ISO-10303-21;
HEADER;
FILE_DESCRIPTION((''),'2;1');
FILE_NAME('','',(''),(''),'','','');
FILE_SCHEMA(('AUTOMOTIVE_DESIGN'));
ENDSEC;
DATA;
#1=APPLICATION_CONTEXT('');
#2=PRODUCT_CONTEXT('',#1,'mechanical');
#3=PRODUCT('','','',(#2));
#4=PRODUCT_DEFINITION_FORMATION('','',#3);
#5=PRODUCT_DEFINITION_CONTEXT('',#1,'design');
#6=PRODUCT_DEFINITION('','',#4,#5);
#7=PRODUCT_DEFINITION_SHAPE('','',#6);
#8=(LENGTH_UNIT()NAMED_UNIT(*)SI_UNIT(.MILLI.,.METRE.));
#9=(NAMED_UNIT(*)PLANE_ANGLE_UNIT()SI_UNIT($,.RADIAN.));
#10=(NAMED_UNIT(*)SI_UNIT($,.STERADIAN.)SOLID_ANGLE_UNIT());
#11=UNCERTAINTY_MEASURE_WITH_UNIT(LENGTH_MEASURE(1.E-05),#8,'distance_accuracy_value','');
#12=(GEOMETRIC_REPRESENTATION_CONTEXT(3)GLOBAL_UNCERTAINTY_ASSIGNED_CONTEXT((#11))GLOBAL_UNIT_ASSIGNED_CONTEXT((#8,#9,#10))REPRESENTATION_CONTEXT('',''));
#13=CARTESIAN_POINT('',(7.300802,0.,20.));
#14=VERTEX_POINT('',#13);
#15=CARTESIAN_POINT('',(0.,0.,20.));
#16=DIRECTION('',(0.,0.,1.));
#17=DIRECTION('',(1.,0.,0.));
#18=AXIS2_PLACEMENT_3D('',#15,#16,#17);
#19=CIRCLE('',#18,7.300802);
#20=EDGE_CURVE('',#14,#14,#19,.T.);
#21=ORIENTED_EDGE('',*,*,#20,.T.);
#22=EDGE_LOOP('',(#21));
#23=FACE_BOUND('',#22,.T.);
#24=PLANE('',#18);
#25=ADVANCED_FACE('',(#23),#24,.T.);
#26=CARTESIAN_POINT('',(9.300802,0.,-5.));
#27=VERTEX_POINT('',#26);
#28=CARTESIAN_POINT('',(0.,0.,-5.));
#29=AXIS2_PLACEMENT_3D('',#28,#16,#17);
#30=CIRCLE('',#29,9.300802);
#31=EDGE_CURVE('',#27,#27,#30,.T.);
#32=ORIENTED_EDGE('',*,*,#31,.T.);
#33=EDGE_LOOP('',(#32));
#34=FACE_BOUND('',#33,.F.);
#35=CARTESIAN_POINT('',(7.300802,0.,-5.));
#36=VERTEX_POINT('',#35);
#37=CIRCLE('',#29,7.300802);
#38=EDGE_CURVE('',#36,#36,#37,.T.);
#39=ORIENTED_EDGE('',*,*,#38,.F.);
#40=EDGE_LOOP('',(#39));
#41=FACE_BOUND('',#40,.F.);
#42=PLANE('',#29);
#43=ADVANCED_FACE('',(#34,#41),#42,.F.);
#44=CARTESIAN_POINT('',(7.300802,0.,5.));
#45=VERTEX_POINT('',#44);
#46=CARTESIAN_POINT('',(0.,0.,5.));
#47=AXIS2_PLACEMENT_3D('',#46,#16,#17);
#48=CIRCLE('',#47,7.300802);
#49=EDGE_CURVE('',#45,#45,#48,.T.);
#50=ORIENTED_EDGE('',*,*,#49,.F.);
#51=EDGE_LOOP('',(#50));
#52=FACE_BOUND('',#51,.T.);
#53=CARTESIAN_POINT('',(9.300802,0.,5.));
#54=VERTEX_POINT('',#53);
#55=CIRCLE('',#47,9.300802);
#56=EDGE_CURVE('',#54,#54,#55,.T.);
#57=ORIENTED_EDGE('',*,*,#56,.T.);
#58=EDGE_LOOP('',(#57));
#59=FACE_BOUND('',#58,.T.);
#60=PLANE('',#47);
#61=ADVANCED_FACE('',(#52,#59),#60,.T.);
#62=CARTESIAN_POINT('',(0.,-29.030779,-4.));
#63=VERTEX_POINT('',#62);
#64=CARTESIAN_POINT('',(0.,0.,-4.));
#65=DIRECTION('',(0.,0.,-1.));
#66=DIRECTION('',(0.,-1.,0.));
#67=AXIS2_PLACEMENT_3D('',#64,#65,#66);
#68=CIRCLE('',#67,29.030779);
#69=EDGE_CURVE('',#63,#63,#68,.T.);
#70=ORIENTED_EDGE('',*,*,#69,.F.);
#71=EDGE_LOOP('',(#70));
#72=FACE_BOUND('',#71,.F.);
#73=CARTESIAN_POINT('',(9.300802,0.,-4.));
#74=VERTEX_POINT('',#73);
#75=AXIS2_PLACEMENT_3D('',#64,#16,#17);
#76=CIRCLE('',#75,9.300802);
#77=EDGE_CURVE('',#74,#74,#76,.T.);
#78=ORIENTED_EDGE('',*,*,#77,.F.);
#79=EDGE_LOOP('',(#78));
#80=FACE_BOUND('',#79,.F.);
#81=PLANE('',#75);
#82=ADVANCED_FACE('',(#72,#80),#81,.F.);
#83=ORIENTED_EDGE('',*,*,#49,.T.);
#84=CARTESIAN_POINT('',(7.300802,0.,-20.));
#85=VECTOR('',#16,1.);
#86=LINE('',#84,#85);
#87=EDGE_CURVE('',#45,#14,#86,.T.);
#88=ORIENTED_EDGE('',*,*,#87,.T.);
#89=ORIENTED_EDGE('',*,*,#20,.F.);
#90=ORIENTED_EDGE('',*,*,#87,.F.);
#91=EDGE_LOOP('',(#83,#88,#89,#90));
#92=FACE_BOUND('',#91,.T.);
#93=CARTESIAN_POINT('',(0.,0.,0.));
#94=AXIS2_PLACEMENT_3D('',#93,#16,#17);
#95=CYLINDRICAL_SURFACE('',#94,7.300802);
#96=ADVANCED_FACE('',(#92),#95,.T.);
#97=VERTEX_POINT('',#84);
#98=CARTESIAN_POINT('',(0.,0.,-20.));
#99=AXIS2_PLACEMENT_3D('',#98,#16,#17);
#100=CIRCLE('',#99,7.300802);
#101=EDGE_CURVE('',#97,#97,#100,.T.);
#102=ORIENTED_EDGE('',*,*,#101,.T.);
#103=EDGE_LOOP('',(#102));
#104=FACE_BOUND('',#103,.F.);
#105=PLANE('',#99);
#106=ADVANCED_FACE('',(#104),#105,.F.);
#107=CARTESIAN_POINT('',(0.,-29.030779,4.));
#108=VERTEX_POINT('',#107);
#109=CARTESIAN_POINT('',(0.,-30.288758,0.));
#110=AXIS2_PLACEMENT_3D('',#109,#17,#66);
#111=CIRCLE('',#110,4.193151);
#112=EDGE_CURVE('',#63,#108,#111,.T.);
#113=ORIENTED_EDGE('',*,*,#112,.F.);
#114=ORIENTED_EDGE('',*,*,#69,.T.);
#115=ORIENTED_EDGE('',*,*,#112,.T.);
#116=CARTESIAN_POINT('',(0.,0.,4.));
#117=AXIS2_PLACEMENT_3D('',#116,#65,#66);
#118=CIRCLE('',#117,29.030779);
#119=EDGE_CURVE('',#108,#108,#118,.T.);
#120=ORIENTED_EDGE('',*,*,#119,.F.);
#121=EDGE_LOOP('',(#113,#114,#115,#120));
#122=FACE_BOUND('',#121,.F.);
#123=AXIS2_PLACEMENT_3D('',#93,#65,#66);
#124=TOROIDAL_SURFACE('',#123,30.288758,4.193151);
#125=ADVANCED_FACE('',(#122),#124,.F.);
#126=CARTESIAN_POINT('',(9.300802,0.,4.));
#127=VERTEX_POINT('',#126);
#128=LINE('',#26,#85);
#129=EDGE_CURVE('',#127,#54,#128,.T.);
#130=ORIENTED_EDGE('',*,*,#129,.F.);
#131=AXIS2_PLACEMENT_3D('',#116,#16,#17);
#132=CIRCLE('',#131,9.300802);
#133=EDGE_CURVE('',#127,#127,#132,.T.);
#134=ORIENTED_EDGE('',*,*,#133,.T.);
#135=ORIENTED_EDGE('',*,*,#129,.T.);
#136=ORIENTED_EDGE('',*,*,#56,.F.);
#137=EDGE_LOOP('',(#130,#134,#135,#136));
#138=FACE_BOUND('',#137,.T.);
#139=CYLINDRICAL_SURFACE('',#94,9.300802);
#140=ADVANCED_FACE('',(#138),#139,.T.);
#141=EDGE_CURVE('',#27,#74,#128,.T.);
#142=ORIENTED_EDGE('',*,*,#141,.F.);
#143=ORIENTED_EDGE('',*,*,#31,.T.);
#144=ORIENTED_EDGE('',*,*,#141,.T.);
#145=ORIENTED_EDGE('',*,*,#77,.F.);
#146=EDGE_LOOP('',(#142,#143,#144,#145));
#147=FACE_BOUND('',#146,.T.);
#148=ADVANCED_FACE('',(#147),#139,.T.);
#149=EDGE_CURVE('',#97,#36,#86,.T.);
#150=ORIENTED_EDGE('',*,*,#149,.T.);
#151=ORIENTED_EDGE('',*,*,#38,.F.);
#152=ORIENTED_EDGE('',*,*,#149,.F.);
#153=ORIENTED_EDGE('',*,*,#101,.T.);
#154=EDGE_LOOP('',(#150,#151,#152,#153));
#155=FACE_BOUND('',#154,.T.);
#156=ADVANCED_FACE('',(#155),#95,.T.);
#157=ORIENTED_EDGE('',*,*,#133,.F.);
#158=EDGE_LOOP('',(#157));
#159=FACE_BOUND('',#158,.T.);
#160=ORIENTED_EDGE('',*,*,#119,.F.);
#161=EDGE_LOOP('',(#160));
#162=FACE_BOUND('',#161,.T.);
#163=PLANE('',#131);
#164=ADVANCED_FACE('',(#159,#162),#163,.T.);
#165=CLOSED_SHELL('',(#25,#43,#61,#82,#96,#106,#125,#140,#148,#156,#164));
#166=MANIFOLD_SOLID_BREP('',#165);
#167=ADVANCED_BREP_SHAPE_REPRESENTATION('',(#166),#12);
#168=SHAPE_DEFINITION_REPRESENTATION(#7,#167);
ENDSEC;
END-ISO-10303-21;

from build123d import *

# Parameters (mm, degrees)
F0_R     = 7.3008019747
F1_DEPTH = 20
F0_R_2   = 9.3008019747
F2_DEPTH = 5
F0_R_3   = 29.0307788443
F3_DEPTH = 4


with BuildPart() as f1:
    # F0 (on Top) → F1 (new body, symmetric)
    with BuildSketch(Plane.XY):
        Circle(F0_R)
    extrude(amount=F1_DEPTH, both=True)

    # F0 (on Top) → F2 (join, symmetric)
    with BuildSketch(Plane.XY):
        Circle(F0_R_2)
        Circle(F0_R, mode=Mode.SUBTRACT)
    extrude(amount=F2_DEPTH, both=True)

    # F0 (on Top) → F3 (join, symmetric)
    with BuildSketch(Plane.XY):
        Circle(F0_R_3)
        Circle(F0_R_2, mode=Mode.SUBTRACT)
    extrude(amount=F3_DEPTH, both=True)

    # F5: sweep along a path in F5_path
    with BuildLine(Plane(origin=(29.0307788443, 0, 4), x_dir=(0, -1, 0), z_dir=(0, 0, -1))) as f5_path:
        CenterArc((0, 29.0307788443), 29.0307788443, 0, 360)
    # F4 (on Right) → F5 (sweep, cut)
    with BuildSketch(Plane.YZ):
        with BuildLine():
            Line((-29.0307788443, 4), (-29.0307788443, -4))
            ThreePointArc((-29.0307788443, -4), (-26.0956077828, 0), (-29.0307788443, 4))
        make_face()
    sweep(path=f5_path.line, mode=Mode.SUBTRACT)


solid = f1.part
